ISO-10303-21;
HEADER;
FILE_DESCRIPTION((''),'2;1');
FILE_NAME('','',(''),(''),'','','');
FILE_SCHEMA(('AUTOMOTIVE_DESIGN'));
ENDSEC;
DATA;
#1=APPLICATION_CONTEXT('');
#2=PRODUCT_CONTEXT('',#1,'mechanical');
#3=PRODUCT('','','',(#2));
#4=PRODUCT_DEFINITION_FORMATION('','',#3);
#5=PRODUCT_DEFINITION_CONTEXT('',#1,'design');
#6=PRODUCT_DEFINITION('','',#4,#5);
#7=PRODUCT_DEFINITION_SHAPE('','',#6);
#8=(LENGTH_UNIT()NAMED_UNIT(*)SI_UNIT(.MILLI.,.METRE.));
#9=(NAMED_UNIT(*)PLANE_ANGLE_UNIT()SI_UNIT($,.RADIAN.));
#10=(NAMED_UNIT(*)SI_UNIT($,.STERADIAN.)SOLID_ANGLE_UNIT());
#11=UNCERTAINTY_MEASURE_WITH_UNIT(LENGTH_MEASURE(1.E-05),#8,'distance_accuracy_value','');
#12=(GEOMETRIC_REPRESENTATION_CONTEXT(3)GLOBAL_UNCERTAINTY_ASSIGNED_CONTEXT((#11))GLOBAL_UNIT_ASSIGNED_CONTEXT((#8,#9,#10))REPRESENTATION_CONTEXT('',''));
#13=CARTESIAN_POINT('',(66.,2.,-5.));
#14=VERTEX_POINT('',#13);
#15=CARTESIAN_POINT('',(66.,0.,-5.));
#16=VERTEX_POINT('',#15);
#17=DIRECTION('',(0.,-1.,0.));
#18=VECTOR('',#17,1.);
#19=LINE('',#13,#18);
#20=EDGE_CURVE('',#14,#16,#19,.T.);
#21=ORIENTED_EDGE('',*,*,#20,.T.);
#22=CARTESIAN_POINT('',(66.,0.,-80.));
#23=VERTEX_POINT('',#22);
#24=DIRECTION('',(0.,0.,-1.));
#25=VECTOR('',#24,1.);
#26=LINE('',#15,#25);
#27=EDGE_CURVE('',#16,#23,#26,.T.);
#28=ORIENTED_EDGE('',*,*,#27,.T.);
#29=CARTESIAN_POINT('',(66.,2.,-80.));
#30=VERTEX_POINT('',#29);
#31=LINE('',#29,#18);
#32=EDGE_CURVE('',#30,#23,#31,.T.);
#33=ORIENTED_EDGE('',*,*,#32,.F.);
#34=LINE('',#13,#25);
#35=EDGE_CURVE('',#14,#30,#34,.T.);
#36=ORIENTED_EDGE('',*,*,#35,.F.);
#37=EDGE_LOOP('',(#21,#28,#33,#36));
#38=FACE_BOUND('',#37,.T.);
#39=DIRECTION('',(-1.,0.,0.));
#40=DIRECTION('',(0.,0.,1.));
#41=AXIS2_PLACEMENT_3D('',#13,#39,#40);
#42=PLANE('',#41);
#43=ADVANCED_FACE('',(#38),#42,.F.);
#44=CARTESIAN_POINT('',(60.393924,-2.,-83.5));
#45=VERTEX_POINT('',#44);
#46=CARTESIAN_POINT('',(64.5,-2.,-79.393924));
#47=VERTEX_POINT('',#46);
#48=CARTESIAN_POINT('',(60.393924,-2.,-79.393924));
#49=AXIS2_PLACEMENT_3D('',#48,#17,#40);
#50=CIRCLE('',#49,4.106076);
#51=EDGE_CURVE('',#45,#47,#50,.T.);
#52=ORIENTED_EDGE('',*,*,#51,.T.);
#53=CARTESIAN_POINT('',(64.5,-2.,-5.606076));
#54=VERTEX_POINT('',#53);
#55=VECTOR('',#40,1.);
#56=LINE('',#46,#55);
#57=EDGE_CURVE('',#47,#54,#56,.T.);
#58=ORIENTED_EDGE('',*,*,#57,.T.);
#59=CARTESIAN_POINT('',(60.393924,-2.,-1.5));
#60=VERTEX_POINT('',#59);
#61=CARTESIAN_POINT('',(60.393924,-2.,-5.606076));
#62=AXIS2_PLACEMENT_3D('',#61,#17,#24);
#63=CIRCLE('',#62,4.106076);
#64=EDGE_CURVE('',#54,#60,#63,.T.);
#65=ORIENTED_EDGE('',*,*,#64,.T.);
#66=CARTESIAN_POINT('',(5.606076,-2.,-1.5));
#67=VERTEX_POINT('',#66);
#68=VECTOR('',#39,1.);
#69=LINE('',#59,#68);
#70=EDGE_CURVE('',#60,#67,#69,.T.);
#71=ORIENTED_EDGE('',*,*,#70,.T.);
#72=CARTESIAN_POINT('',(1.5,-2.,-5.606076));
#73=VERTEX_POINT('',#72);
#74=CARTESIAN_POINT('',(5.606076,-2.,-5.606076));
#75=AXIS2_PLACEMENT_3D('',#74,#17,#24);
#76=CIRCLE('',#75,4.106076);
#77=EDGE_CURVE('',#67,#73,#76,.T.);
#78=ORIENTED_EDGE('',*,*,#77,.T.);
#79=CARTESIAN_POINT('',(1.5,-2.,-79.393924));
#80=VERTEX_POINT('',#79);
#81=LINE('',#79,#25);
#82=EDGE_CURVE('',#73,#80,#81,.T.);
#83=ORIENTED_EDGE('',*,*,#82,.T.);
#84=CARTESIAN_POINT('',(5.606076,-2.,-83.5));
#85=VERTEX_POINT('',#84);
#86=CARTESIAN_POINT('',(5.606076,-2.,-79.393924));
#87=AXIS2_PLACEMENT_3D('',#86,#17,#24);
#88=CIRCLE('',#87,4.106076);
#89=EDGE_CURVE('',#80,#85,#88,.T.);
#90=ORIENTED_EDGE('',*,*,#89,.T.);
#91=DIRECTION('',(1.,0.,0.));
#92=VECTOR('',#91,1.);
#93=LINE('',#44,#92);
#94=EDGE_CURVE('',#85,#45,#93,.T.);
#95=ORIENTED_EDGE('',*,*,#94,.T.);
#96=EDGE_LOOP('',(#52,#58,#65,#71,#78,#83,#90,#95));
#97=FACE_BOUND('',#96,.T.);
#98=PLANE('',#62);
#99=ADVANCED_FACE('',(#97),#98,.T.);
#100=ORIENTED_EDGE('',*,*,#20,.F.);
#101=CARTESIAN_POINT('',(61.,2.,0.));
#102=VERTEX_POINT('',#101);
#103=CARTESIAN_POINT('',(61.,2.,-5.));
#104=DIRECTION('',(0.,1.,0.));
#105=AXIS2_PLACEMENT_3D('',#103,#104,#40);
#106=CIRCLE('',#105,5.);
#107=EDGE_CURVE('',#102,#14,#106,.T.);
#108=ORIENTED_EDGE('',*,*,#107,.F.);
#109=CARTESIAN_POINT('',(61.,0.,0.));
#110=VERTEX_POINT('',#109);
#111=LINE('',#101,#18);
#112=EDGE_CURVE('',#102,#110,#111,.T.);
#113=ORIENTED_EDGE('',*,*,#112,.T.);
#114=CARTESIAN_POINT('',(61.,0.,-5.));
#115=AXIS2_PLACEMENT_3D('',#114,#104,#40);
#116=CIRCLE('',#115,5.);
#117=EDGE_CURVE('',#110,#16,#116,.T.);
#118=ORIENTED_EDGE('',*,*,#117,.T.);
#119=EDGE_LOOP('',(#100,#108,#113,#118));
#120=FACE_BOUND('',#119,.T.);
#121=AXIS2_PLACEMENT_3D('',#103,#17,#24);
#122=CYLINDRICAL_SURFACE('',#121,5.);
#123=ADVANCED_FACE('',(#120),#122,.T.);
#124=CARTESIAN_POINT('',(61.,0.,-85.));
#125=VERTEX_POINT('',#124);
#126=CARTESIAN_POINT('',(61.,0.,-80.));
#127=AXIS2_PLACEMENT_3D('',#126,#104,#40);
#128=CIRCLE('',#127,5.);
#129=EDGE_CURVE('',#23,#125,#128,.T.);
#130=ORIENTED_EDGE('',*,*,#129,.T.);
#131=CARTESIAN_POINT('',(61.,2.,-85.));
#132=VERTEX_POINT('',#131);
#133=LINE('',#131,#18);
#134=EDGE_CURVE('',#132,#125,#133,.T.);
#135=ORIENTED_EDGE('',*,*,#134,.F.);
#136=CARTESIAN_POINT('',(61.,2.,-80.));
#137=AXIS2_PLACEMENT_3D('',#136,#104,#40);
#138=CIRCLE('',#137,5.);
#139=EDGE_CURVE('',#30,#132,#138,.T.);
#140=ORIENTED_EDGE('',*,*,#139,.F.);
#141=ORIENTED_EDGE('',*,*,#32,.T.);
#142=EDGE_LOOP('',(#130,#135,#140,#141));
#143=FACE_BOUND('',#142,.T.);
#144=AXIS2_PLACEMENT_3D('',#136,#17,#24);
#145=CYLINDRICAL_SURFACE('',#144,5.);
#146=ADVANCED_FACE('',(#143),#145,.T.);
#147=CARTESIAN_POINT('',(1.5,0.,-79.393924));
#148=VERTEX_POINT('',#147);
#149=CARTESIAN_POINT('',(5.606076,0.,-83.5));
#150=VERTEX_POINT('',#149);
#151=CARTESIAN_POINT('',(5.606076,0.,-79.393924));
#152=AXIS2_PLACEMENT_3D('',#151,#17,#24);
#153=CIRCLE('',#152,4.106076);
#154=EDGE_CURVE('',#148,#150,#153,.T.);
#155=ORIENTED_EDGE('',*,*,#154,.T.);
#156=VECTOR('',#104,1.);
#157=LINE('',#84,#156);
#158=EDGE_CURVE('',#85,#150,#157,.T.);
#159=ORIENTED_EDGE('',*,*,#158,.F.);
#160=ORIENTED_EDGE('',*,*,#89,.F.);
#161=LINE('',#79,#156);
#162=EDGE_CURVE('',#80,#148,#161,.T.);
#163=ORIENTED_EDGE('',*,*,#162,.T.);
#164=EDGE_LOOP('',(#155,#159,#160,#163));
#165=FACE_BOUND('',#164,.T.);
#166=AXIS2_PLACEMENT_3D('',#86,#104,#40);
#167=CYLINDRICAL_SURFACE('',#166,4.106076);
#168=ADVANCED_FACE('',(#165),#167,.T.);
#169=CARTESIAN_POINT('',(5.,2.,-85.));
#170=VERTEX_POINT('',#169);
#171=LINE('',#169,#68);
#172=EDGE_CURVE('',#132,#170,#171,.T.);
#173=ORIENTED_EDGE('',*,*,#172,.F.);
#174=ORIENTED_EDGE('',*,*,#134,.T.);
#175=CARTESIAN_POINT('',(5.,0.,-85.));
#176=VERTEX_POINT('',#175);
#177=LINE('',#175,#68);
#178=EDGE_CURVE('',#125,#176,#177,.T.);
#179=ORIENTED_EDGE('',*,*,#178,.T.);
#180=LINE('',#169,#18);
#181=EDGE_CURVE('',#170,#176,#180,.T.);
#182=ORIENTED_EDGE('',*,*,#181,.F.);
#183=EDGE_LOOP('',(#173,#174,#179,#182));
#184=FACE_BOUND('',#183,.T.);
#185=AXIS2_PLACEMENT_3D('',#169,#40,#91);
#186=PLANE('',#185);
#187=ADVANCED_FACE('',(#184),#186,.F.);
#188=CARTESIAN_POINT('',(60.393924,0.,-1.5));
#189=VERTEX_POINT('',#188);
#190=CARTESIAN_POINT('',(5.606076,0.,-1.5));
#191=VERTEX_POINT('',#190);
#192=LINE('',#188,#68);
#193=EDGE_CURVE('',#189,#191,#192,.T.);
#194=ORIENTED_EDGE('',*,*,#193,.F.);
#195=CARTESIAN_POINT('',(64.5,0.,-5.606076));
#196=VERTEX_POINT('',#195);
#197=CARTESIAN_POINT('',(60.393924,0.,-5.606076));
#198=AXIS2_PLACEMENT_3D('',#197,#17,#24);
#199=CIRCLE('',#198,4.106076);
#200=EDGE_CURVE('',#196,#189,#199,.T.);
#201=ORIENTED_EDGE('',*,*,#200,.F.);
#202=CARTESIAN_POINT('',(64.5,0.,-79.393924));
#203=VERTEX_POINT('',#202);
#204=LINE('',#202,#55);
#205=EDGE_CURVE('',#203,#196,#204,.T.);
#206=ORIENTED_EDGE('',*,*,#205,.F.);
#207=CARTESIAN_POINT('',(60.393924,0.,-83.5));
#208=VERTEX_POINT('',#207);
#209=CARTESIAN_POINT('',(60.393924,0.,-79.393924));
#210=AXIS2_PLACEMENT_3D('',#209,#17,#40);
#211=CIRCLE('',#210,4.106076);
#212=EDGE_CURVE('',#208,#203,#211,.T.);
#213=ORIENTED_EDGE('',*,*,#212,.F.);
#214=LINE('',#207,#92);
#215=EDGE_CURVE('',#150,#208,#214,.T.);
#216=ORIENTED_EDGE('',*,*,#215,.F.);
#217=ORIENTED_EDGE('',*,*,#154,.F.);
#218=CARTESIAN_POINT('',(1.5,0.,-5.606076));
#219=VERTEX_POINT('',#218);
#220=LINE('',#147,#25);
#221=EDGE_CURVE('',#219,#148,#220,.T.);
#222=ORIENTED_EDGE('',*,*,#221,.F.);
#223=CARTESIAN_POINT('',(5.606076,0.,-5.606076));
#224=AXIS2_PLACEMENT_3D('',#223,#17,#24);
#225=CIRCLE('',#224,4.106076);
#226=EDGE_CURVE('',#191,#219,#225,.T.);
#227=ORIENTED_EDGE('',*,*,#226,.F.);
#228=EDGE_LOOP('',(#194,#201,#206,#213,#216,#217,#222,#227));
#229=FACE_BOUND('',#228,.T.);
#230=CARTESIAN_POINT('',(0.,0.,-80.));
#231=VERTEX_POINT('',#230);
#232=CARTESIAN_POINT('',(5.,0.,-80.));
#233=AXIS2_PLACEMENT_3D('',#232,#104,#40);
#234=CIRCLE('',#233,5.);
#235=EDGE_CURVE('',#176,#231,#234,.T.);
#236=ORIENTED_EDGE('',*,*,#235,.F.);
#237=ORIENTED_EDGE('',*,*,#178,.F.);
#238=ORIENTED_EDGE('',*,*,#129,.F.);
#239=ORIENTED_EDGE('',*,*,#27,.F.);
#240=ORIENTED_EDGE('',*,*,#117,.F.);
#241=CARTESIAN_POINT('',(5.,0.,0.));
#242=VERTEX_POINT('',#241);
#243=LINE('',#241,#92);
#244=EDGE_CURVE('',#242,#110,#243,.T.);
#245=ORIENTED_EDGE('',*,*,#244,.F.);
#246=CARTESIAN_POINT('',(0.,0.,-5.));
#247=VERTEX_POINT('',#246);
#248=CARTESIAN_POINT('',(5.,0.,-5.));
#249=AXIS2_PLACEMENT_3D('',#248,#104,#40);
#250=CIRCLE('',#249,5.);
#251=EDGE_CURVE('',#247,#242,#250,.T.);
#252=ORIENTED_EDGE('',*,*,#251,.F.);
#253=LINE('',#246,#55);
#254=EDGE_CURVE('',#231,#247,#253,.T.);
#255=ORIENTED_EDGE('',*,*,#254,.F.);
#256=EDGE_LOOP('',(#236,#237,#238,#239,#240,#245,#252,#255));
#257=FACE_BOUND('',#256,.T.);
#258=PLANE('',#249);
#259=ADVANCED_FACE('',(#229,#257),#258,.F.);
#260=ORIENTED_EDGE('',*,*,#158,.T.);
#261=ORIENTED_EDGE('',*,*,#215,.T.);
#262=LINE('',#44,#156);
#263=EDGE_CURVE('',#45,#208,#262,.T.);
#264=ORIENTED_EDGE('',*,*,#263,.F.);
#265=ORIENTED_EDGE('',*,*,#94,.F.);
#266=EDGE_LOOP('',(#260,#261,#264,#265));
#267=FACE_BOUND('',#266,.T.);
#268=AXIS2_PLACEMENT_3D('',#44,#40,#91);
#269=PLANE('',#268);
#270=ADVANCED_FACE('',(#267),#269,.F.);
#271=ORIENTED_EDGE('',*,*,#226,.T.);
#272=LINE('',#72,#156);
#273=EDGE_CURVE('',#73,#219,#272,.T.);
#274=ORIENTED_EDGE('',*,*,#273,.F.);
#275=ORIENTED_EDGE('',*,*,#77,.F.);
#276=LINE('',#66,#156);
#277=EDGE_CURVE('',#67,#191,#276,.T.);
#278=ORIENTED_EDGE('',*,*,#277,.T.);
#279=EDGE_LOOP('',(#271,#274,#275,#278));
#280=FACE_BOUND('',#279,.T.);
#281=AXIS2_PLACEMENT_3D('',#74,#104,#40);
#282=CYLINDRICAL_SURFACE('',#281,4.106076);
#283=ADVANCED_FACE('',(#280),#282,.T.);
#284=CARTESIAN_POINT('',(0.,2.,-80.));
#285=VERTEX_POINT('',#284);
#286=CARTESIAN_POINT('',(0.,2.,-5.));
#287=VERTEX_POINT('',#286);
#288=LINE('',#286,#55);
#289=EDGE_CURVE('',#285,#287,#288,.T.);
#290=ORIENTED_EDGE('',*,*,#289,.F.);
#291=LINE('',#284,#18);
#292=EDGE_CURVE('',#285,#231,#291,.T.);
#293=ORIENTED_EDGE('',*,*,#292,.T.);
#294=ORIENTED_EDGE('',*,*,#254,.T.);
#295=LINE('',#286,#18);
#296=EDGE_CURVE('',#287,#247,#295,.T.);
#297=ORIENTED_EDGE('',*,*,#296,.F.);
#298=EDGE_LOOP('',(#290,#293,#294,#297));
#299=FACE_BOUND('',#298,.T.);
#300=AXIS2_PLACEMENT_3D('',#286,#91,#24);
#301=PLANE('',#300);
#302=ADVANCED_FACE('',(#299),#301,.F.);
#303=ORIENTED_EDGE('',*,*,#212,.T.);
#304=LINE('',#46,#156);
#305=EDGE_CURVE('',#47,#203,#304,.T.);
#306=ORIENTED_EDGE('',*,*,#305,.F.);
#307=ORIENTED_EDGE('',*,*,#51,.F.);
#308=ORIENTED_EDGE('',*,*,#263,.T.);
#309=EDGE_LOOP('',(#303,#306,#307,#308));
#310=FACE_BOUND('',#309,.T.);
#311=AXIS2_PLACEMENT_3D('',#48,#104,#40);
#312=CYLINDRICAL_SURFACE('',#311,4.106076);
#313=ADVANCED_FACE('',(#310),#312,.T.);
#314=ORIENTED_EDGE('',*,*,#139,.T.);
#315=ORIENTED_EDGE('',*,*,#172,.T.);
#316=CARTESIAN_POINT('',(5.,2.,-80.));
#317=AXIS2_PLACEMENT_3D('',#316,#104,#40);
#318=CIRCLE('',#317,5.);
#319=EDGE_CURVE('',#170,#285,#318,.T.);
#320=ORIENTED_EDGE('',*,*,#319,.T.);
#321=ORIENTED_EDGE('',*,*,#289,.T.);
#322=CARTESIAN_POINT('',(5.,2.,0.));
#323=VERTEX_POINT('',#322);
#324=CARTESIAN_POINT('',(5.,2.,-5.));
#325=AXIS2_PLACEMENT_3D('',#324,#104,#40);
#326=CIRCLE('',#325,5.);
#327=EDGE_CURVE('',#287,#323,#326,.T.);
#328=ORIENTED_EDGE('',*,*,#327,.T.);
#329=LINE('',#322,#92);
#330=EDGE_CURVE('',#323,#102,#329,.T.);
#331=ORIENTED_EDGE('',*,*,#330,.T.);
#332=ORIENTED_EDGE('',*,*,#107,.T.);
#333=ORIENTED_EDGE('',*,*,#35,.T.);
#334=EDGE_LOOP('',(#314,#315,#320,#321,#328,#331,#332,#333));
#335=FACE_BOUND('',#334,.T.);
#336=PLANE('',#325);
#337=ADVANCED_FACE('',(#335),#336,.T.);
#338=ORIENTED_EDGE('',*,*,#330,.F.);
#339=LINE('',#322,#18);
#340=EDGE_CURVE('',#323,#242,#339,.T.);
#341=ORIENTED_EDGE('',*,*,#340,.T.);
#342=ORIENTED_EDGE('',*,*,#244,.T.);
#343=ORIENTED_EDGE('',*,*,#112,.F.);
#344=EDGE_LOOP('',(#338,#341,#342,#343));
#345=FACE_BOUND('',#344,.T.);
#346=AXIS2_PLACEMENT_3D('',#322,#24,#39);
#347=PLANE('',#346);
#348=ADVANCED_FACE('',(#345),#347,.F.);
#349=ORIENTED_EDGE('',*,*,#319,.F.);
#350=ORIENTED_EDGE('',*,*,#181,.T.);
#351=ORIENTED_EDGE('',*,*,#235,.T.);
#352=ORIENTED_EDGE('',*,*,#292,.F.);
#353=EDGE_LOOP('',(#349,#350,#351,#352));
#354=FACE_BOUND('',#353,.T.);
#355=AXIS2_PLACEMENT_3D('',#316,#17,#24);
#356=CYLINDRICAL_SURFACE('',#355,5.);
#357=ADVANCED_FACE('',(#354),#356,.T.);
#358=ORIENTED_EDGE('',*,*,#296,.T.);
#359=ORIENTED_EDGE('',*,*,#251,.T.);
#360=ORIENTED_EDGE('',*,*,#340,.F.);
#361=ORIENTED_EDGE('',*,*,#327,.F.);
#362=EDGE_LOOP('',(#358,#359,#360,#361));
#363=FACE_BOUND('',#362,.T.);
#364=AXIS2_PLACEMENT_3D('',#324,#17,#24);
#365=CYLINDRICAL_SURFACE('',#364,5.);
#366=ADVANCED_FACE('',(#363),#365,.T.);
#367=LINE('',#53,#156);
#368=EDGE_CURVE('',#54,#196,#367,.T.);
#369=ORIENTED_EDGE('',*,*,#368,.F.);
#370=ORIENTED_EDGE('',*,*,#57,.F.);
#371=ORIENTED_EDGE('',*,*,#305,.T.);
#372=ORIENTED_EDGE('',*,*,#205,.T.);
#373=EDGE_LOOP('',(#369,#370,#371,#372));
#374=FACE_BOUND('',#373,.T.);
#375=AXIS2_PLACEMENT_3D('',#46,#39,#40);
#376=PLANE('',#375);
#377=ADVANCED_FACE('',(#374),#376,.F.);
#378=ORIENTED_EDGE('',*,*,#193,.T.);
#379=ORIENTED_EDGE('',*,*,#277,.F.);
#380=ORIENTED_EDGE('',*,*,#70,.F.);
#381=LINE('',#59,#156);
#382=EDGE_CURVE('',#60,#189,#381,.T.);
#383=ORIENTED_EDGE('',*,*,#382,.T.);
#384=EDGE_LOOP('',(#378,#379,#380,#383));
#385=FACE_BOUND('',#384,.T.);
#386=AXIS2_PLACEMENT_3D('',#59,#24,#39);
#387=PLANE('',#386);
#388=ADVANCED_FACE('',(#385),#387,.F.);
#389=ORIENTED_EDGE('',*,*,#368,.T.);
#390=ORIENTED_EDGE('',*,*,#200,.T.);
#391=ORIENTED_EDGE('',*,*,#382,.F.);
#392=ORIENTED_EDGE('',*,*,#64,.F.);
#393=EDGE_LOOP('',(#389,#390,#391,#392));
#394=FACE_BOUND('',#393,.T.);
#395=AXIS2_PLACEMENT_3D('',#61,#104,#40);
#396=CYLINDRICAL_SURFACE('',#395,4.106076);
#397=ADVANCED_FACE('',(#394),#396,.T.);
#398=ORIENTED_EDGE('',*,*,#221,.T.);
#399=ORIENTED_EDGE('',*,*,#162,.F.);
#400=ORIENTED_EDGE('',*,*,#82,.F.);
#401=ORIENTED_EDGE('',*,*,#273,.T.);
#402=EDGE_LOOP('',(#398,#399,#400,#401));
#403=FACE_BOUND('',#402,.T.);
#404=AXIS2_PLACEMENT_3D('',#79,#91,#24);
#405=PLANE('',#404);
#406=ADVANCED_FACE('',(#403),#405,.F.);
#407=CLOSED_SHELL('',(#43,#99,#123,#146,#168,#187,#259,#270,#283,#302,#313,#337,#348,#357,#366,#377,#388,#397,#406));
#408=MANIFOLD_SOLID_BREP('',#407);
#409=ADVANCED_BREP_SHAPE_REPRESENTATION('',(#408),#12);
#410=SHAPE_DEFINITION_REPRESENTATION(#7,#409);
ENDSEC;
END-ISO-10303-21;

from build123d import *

# Parameters (mm, degrees)
ESTRUSIONE_ESTRUSIONE1_DEPTH = 2
ESTRUSIONE_ESTRUSIONE2_DEPTH = 2


with BuildPart() as part:
    # Schizzo1 → Estrusione-Estrusione1 (new body)
    with BuildSketch(Plane(origin=(0, 0, 0), x_dir=(1, 0, 0), z_dir=(0, 1, 0))):
        with BuildLine():
            Line((5, 0), (61, 0))
            ThreePointArc((61, 0), (64.535533906, 1.464466094), (66, 5))
            Line((66, 5), (66, 80))
            ThreePointArc((66, 80), (64.535533906, 83.535533906), (61, 85))
            Line((61, 85), (5, 85))
            ThreePointArc((5, 85), (1.464466094, 83.535533906), (0, 80))
            Line((0, 80), (0, 5))
            ThreePointArc((0, 5), (1.464466094, 1.464466094), (5, 0))
        make_face()
    extrude(amount=ESTRUSIONE_ESTRUSIONE1_DEPTH)

    # Schizzo2 → Estrusione-Estrusione2 (add)
    with BuildSketch(Plane.XZ):
        with BuildLine():
            Line((60.393923704, -83.5), (5.606076296, -83.5))
            ThreePointArc((5.606076296, -83.5), (2.702641903, -82.297358097), (1.5, -79.393923704))
            Line((1.5, -79.393923704), (1.5, -5.606076296))
            ThreePointArc((1.5, -5.606076296), (2.702641903, -2.702641903), (5.606076296, -1.5))
            Line((5.606076296, -1.5), (60.393923704, -1.5))
            ThreePointArc((60.393923704, -1.5), (63.297358097, -2.702641903), (64.5, -5.606076296))
            Line((64.5, -5.606076296), (64.5, -79.393923704))
            ThreePointArc((64.5, -79.393923704), (63.297358097, -82.297358097), (60.393923704, -83.5))
        make_face()
    extrude(amount=ESTRUSIONE_ESTRUSIONE2_DEPTH)


solid = part.part
